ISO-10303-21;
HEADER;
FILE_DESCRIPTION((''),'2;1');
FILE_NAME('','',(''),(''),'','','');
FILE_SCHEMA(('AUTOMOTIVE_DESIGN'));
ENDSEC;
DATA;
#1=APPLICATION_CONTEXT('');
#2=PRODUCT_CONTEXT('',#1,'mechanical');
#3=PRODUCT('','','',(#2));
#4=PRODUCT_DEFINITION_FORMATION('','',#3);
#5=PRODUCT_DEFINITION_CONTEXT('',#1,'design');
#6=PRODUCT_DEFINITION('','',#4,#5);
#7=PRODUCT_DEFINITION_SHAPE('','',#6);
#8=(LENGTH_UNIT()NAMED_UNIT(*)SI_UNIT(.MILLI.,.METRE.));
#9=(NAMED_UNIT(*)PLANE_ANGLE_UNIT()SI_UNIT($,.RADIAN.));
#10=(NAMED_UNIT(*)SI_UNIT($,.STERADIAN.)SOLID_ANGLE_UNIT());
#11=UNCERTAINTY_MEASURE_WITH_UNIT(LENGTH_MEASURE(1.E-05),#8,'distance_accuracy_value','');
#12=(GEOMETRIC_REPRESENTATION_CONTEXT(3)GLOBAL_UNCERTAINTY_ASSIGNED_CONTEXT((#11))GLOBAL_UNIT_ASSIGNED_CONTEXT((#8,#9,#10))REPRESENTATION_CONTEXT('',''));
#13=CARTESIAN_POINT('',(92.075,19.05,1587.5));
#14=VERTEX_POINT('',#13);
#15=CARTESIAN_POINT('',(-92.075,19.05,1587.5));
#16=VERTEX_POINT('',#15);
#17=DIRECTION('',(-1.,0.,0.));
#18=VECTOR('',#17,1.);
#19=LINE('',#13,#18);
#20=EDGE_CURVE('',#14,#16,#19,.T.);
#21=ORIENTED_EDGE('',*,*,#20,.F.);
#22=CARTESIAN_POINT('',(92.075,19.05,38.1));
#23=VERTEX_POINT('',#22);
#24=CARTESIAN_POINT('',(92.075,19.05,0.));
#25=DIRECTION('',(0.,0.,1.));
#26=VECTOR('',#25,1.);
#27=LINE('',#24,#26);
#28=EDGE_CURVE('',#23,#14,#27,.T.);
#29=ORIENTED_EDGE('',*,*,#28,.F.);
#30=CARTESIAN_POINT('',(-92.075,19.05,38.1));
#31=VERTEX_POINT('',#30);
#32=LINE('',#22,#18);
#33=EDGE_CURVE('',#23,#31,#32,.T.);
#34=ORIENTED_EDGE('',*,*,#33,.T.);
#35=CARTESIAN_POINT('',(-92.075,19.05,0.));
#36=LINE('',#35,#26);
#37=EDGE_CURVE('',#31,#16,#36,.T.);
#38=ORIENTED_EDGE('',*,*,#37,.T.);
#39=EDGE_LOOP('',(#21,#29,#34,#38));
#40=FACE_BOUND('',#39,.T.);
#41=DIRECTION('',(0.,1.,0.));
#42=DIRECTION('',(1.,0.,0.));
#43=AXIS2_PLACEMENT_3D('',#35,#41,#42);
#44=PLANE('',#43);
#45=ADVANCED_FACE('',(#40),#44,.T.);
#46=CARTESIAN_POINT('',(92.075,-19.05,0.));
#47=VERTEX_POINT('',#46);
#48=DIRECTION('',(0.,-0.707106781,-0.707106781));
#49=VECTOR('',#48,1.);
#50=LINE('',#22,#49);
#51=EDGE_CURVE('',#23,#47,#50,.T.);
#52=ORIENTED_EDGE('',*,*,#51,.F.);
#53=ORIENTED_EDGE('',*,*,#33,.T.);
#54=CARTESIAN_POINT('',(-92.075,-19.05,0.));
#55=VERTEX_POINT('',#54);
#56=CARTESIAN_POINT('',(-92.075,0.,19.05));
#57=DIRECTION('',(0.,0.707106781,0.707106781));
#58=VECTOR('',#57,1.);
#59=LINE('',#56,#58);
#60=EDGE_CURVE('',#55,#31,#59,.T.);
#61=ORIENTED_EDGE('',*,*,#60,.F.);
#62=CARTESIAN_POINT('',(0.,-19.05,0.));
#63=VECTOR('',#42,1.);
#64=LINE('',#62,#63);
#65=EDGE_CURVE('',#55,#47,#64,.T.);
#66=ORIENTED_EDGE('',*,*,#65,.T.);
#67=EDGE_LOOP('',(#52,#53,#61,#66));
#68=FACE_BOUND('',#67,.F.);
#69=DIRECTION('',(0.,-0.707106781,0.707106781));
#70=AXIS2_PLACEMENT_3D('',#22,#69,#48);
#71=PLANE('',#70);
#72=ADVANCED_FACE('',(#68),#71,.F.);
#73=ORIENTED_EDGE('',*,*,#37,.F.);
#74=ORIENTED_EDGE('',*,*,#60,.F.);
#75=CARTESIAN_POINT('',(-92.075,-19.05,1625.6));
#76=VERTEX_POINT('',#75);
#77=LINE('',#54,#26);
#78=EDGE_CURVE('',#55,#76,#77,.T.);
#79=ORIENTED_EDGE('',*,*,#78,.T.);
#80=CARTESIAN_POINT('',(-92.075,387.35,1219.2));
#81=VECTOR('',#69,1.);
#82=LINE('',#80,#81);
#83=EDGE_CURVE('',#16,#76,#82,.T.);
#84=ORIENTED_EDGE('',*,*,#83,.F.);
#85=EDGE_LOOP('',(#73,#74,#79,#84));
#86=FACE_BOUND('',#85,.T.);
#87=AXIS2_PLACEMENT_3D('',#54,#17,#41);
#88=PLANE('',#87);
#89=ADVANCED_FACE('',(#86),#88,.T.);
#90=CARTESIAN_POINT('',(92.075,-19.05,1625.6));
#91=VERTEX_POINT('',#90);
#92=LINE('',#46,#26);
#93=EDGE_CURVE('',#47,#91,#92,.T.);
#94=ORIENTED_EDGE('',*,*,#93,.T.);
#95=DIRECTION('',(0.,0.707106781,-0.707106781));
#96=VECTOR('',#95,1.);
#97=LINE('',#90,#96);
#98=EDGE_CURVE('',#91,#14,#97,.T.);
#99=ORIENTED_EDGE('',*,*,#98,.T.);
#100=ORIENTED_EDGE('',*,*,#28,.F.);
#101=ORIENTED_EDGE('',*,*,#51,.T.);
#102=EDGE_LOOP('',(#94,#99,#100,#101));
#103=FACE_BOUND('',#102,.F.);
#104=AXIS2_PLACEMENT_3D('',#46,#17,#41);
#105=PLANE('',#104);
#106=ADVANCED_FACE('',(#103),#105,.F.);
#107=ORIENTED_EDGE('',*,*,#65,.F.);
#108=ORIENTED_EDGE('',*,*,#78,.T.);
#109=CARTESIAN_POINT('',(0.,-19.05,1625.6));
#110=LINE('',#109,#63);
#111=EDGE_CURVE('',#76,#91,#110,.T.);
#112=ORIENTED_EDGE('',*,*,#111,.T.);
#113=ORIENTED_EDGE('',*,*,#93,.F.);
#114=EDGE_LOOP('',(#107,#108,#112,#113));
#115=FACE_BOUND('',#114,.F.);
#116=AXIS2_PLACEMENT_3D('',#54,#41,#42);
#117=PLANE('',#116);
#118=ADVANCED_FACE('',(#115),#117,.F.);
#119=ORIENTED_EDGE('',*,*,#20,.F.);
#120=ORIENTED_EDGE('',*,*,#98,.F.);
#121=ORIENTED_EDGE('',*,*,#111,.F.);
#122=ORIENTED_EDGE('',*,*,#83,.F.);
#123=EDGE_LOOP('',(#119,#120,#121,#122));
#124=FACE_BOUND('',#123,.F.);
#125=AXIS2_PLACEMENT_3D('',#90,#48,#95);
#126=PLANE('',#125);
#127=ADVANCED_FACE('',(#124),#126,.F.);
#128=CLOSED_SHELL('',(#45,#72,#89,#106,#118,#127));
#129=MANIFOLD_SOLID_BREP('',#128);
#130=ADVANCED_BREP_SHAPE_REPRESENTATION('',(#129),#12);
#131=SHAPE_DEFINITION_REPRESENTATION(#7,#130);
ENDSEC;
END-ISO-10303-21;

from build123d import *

# Parameters (mm, degrees)
F0_W     = 184.15
F0_H     = 38.1
F1_DEPTH = 1625.6
F3_DEPTH = 190.5


with BuildPart() as f1:
    # F0 (on Top) → F1 (new body)
    with BuildSketch(Plane.XY):
        Rectangle(F0_W, F0_H)
    extrude(amount=F1_DEPTH)

    # F2 (on face) → F3 (cut)
    with BuildSketch(Plane.YZ.offset(92.075)):
        Polygon((19.05, 1625.6), (-19.05, 1625.6), (19.05, 1587.5), align=None)
        Polygon((19.05, 38.1), (-19.05, 0), (19.05, 0), align=None)
    extrude(amount=-F3_DEPTH, mode=Mode.SUBTRACT)


solid = f1.part
